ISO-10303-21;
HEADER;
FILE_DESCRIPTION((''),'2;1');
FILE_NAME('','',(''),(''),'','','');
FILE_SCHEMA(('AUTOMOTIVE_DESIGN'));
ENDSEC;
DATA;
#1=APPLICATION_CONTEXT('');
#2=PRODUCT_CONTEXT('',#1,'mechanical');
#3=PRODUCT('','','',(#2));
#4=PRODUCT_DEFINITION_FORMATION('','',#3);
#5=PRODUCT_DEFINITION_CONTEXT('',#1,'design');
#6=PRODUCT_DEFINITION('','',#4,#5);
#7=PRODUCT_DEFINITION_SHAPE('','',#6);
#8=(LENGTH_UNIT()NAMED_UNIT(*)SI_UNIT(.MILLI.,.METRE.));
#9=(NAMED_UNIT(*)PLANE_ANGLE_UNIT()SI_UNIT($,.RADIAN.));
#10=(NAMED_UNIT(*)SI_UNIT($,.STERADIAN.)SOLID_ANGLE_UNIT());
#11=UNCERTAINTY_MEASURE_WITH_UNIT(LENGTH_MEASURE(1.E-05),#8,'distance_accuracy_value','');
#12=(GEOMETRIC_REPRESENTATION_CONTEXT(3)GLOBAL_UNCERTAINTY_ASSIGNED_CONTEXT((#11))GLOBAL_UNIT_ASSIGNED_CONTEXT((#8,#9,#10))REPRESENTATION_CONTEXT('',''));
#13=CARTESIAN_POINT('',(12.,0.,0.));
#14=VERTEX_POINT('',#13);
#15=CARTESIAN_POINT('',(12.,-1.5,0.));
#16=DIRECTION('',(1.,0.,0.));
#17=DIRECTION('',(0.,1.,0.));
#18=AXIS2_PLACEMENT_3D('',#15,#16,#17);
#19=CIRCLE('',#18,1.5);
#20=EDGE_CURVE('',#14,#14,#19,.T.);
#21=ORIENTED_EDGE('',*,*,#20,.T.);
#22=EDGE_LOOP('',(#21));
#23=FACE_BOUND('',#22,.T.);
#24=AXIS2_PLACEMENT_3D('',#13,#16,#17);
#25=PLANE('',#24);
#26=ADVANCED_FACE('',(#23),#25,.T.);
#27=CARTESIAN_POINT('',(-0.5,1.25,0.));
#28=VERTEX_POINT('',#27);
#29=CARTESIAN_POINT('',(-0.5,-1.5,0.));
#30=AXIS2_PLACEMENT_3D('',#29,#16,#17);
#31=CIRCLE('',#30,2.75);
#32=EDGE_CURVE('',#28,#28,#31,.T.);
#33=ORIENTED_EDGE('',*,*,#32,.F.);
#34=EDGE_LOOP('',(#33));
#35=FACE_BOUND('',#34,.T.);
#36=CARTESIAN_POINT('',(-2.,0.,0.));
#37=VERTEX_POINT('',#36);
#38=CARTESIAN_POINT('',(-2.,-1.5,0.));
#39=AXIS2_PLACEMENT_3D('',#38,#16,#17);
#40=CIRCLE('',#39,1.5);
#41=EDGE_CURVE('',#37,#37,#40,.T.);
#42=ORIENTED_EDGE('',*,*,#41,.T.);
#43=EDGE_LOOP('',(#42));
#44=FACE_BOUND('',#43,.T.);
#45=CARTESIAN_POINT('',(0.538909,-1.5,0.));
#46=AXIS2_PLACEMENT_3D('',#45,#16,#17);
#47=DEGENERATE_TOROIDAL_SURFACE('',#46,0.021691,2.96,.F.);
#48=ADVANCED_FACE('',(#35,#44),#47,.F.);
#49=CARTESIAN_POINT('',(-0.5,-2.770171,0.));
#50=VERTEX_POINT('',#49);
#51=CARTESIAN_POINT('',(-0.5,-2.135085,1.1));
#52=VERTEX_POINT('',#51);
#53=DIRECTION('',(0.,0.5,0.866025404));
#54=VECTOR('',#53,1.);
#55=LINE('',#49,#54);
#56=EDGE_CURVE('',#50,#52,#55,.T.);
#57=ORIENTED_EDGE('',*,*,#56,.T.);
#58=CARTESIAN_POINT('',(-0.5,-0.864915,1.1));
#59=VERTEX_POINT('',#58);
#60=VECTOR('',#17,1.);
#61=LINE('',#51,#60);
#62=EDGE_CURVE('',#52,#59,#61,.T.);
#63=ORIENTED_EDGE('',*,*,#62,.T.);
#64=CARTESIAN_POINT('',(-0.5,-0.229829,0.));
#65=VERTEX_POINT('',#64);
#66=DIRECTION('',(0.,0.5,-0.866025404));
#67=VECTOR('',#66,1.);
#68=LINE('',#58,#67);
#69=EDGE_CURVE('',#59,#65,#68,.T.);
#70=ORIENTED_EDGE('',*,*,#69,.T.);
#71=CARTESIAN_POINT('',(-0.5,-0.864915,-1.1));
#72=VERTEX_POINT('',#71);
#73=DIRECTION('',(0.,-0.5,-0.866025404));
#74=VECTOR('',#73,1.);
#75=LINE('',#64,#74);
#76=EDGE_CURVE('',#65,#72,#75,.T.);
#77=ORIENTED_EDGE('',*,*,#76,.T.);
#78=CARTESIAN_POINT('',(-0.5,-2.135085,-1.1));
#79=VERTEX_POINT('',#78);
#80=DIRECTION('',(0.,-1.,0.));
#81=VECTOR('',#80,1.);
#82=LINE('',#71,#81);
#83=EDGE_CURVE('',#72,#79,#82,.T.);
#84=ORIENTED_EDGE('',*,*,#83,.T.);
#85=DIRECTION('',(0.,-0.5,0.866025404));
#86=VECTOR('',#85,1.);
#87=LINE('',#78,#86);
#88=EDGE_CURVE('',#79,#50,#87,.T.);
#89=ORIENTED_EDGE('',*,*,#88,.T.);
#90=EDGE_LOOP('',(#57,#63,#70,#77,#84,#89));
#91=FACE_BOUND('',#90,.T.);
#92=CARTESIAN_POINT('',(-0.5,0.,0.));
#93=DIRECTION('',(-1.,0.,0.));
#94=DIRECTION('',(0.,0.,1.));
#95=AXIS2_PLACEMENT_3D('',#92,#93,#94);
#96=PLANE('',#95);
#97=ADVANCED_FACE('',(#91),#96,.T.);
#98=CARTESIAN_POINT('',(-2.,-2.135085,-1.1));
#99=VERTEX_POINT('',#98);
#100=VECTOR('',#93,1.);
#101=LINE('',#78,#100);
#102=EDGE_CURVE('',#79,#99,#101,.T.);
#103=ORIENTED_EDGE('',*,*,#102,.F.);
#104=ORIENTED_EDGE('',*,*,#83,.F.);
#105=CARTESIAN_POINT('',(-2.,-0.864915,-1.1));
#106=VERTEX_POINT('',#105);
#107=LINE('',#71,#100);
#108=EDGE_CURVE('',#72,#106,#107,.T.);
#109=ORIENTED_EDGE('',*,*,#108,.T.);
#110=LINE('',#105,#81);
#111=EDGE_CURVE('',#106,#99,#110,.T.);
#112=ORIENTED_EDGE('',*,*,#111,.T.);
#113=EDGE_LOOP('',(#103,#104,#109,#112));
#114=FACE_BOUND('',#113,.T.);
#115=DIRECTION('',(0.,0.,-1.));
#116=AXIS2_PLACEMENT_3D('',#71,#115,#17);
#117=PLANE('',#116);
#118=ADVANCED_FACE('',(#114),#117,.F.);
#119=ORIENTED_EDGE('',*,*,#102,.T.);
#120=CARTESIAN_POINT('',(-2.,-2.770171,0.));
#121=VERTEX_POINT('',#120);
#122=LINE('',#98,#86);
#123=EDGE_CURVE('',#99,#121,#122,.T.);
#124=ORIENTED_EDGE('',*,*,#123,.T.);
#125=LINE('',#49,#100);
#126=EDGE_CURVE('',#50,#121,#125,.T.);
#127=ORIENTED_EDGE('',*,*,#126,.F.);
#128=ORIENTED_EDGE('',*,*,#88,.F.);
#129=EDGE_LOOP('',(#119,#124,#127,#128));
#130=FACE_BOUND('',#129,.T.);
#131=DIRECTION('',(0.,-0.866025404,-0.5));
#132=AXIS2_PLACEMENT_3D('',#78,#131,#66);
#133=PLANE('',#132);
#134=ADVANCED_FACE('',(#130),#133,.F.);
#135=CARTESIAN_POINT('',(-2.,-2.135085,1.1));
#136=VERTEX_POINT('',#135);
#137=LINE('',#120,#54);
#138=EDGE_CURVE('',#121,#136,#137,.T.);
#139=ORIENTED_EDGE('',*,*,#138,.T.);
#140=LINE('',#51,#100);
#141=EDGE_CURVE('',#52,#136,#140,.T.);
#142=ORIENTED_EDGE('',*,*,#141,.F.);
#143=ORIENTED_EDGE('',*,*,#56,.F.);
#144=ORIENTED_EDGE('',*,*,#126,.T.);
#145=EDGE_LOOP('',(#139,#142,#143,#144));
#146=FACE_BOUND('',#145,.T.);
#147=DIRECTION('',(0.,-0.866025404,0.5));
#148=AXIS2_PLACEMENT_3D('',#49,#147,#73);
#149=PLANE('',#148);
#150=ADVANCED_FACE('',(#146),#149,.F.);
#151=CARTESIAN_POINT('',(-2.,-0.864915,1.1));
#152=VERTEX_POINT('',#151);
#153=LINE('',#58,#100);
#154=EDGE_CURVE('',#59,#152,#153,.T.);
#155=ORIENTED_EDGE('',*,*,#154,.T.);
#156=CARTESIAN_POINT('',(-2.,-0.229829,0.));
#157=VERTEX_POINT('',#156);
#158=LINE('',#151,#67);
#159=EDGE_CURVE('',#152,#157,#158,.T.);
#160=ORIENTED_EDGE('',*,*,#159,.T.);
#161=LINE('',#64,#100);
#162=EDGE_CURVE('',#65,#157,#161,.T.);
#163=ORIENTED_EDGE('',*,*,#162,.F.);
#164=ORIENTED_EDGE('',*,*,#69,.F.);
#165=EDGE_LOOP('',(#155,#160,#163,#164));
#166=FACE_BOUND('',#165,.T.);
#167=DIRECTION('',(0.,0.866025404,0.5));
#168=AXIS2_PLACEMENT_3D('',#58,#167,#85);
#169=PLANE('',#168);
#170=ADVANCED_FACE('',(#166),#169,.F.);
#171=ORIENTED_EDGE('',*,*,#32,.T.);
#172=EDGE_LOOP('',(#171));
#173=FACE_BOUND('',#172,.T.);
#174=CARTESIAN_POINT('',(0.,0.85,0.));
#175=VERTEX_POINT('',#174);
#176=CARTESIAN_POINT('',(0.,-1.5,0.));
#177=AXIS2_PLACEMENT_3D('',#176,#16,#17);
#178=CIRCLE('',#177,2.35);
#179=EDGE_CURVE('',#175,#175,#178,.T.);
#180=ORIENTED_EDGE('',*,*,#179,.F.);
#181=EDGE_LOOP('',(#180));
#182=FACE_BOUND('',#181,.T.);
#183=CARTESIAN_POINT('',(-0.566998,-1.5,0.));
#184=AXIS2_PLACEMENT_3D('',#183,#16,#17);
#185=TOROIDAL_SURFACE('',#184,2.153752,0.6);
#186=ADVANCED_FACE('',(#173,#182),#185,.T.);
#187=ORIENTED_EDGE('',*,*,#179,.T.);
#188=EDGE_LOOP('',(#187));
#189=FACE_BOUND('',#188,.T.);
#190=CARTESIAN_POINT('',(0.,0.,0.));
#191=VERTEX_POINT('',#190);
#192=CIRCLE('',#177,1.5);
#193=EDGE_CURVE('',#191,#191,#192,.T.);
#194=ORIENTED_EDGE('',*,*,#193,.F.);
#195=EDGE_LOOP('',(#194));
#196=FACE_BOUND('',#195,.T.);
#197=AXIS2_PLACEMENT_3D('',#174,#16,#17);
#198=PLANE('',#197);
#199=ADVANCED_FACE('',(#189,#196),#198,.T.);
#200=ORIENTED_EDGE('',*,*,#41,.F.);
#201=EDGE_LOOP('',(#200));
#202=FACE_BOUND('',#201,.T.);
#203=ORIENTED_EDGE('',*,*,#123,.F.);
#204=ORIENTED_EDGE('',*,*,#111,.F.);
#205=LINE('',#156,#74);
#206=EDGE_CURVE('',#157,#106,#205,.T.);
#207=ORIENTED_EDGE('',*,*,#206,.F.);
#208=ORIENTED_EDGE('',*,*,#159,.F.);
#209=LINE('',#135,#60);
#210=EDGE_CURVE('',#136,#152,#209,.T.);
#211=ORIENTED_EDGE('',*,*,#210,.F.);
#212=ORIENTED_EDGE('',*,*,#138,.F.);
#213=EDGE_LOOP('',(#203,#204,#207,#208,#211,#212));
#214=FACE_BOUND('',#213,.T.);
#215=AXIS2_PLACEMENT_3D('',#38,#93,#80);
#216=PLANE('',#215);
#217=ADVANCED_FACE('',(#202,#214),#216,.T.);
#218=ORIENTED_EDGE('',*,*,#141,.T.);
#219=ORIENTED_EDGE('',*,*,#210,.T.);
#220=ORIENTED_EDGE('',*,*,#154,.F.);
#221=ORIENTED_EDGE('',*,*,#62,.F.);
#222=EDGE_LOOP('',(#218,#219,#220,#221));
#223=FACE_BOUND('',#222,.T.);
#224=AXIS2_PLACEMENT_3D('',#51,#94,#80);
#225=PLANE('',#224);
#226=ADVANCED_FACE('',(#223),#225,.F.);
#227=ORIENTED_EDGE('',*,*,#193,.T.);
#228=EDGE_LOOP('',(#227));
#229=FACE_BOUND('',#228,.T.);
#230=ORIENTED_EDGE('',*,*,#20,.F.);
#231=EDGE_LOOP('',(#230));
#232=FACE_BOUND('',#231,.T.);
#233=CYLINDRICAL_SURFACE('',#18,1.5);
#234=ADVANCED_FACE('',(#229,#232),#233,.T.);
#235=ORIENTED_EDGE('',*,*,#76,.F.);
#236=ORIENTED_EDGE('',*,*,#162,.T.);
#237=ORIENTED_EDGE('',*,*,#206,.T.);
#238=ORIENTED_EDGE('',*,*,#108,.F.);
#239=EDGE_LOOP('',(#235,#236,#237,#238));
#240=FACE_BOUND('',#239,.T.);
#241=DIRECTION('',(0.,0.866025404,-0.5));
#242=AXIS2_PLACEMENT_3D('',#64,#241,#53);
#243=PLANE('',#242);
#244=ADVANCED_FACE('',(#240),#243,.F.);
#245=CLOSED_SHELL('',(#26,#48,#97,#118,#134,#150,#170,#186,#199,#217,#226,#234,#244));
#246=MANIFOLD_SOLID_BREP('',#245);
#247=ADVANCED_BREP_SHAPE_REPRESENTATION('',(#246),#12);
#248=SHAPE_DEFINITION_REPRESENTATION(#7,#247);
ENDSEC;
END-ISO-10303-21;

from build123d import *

# Parameters (mm, degrees)
CUT_EXTRUDE1_DEPTH = 1.5


with BuildPart() as part:
    # Sketch1 → Revolve1 (revolve)
    with BuildSketch(Plane.XY):
        with BuildLine():
            Line((0, 0), (12, 0))
            Line((12, 0), (12, -1.5))
            Line((12, -1.5), (-2, -1.5))
            Line((-2, -1.5), (-2, 0))
            ThreePointArc((-2, 0), (-1.356037029, 0.752244435), (-0.5, 1.25))
            ThreePointArc((-0.5, 1.25), (-0.192181086, 1.122273642), (0, 0.85))
            Line((0, 0.85), (0, 0))
        make_face()
    revolve(axis=Axis((12, -1.5, 0), (-1, 0, 0)))

    # Sketch2 → Cut-Extrude1 (cut)
    with BuildSketch(Plane.ZY.offset(2)):
        Polygon((0, -0.229829408), (-1.1, -0.864914704), (-1.1, -2.135085296), (0, -2.770170592), (1.1, -2.135085296), (1.1, -0.864914704), align=None)
    extrude(amount=-CUT_EXTRUDE1_DEPTH, mode=Mode.SUBTRACT)


solid = part.part
